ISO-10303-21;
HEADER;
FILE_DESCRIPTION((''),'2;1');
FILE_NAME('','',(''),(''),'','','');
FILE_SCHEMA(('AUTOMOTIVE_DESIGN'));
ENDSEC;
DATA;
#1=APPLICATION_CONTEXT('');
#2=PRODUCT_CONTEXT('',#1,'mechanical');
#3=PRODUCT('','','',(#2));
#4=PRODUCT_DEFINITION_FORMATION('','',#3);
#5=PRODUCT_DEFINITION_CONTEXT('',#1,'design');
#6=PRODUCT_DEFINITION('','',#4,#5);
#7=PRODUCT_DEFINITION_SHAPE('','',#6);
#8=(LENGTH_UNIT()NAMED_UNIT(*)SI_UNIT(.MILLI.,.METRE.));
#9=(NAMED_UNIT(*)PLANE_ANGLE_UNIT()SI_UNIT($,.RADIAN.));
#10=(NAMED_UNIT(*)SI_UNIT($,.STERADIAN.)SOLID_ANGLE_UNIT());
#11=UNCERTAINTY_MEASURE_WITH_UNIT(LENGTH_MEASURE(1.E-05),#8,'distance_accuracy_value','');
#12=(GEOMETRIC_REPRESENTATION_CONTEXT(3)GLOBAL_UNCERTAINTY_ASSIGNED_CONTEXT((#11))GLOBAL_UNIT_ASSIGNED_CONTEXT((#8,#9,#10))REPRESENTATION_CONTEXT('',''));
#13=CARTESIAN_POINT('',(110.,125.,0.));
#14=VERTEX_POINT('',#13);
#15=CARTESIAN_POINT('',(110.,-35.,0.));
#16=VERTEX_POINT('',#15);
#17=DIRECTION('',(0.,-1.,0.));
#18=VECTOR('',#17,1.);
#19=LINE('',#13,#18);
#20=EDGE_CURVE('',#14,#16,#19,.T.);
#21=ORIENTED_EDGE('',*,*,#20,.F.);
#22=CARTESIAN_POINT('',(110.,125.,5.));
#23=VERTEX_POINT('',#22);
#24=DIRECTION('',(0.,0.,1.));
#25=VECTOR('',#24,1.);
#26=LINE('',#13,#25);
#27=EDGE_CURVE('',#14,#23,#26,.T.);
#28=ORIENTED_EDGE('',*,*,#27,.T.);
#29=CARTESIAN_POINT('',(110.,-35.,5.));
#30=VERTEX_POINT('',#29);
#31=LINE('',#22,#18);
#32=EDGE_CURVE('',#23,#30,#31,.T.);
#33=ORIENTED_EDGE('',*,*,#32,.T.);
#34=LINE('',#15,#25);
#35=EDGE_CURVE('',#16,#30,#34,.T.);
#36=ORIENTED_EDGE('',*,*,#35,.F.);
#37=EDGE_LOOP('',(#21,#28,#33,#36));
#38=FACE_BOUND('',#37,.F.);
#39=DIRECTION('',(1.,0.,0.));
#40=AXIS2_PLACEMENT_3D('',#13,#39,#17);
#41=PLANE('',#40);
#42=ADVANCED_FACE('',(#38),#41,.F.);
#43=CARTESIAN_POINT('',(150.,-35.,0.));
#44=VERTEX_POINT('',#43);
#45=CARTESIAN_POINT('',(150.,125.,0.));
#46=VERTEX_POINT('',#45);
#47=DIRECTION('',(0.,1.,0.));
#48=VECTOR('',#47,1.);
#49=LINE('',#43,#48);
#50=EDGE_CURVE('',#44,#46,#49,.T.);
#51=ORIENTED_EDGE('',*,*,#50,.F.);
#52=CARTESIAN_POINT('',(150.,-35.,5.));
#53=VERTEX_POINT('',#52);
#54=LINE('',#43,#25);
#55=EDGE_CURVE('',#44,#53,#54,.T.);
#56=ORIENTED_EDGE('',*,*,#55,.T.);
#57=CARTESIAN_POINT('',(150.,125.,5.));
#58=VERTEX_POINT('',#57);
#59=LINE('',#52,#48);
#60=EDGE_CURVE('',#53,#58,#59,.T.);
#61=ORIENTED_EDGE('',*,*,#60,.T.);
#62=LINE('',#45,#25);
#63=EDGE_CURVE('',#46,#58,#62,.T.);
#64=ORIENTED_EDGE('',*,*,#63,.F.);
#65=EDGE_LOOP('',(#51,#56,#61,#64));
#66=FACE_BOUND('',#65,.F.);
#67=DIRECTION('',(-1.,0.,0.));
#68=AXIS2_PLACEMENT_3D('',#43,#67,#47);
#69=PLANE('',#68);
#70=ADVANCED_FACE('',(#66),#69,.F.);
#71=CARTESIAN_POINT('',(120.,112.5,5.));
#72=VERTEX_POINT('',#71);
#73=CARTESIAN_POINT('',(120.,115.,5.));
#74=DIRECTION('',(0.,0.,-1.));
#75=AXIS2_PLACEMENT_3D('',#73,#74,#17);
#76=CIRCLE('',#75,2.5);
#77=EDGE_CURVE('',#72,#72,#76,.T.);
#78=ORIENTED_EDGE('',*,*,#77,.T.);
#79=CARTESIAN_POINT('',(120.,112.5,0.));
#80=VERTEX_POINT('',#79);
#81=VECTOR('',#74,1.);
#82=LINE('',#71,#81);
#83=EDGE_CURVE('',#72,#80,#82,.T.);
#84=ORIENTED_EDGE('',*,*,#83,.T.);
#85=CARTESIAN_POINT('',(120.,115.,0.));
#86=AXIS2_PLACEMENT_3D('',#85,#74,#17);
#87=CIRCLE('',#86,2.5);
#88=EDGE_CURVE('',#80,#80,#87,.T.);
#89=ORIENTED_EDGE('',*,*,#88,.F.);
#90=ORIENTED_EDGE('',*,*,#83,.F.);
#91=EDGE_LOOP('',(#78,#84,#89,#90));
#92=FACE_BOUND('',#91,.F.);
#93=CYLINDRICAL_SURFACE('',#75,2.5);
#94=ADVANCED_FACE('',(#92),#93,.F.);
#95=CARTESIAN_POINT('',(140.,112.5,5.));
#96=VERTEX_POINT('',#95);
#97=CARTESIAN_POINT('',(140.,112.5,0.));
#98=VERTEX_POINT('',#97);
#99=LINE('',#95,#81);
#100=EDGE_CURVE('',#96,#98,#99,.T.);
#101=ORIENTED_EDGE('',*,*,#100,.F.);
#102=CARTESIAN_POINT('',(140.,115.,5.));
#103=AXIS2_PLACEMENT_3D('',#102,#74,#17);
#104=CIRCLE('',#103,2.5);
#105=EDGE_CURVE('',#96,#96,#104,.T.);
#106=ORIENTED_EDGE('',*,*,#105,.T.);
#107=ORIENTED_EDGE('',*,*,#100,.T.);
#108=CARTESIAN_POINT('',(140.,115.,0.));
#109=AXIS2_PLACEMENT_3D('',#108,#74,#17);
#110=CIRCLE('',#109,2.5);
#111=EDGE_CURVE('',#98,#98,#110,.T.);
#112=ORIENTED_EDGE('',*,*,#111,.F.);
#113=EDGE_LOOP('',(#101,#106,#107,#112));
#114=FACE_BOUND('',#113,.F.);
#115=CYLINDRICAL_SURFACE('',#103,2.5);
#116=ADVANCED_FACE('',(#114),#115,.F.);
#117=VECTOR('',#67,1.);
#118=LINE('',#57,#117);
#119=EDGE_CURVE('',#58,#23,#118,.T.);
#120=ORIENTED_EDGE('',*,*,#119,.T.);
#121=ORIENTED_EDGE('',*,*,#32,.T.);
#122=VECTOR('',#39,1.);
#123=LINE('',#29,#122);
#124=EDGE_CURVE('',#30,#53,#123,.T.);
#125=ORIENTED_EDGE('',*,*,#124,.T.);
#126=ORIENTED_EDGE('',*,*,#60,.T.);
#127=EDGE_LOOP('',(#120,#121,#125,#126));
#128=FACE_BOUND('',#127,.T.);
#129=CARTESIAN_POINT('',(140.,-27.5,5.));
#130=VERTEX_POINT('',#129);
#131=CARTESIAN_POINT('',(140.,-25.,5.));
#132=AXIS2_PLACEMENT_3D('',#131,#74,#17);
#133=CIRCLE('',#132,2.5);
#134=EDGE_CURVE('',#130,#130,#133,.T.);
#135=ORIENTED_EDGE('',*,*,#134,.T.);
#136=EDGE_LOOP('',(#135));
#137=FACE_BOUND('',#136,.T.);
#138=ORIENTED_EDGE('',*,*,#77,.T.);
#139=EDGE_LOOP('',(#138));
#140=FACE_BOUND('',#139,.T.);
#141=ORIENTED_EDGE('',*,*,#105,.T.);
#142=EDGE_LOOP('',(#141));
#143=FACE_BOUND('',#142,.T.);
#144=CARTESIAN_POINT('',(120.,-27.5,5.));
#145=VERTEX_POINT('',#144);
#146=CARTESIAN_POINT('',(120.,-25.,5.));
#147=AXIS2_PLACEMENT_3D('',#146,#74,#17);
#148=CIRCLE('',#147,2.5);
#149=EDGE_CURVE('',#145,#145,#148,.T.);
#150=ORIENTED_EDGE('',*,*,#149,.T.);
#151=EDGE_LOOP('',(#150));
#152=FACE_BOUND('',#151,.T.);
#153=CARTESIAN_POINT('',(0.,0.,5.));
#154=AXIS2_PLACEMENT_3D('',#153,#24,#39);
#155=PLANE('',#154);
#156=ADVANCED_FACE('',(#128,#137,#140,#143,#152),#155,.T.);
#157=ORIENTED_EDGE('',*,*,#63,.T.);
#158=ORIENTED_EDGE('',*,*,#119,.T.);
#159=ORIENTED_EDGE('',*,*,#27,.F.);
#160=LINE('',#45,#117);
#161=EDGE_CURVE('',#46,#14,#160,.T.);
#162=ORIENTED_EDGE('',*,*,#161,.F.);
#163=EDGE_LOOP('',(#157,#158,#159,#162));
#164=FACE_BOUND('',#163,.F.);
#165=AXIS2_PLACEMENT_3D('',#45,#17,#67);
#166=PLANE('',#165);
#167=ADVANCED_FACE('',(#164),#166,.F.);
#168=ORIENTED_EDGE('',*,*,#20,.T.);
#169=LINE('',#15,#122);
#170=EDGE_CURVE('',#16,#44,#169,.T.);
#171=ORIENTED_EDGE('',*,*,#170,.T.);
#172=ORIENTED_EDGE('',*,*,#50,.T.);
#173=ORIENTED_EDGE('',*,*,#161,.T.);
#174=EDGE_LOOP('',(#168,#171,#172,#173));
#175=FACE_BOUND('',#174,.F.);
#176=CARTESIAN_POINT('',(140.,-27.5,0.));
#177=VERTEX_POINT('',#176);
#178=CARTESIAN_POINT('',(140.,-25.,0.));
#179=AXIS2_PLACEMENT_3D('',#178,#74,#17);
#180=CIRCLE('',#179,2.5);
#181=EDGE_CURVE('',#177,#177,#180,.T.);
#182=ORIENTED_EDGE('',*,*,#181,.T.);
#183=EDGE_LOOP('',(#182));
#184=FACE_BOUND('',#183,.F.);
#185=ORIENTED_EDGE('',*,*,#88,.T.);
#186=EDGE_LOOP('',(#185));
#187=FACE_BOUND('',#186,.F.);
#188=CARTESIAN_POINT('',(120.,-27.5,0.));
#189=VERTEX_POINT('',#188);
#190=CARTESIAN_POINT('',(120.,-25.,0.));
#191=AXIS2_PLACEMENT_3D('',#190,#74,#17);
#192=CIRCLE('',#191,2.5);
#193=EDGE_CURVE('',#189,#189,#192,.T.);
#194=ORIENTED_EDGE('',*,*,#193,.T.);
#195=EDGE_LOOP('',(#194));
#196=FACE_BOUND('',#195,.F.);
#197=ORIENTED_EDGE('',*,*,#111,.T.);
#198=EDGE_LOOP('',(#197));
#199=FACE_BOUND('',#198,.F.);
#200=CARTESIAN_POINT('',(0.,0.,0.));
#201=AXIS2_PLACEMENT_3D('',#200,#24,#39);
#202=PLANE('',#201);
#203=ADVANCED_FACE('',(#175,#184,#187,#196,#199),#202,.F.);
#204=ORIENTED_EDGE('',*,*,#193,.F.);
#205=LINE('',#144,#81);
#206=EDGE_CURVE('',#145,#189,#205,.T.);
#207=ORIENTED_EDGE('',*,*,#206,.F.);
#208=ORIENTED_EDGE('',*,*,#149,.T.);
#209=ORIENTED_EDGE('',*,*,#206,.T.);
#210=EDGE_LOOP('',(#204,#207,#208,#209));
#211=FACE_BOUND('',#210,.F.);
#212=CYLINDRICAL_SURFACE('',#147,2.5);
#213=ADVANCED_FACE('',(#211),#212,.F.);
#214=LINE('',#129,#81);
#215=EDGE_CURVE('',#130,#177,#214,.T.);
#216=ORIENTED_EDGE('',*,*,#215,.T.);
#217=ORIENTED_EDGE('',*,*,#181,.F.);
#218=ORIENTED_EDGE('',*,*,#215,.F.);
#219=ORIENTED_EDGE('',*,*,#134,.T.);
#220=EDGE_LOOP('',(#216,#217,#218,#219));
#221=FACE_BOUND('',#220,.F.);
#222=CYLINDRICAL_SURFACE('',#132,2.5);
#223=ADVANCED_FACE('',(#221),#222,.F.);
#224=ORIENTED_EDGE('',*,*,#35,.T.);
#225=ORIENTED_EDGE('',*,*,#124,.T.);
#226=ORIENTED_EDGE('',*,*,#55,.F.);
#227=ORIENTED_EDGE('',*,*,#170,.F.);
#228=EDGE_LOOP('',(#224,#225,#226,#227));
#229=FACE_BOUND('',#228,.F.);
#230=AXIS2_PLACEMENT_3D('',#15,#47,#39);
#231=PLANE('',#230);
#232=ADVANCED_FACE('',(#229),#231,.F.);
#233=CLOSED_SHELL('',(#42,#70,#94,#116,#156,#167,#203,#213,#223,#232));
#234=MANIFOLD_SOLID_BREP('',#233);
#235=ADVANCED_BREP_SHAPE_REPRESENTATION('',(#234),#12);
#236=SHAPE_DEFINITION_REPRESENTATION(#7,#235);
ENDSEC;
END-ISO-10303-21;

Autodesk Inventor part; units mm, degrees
ref_plane "YZ Plane" through (0, 0, 0) normal (1, 0, 0) x (0, 1, 0)
ref_plane "XZ Plane" through (0, 0, 0) normal (0, 1, 0) x (-1, 0, 0)
ref_plane "XY Plane" through (0, 0, 0) normal (0, 0, 1) x (1, 0, 0)
sketch "Sketch1" plane through (0, 0, 0) normal (0, 0, 1) x (1, 0, 0)
  line L0 (150, 125) -> (110, 125)
  line L1 (110, 125) -> (110, -35)
  line L2 (110, -35) -> (150, -35)
  line L3 (150, -35) -> (150, 125)
  point P0 (0, 0)
  dimension "d0" = 40
  dimension "d3" = 160
extrude "Extrusion1" add sketch "Sketch1" along normal blind 5
ref_plane "Work Plane1" through (0, 0, 0) normal (0, 0, 1) x (1, 0, 0)
sketch "Sketch3" plane through (0, 0, 5) normal (0, 0, 1) x (1, 0, 0)
  line L0 (150, 125) -> (110, 125) construction
  line L1 (130, 125) -> (130, -35) construction
  line L2 (110, -35) -> (150, -35) construction
  line L3 (110, 125) -> (110, -35) construction
  line L4 (110, 45) -> (150, 45) construction
  line L5 (150, -35) -> (150, 125) construction
  point P0 (0, 0)
  point P1 (120, 115)
  point P2 (140, 115)
  point P3 (120, -25)
  point P4 (140, -25)
  dimension "d4" = 20
  dimension "d5" = 10
hole "Hole1" at (120, 115, 5) at (140, 115, 5) at (120, -25, 5) at (140, -25, 5) direction (0, 0, -1) diameter 5 end through all
properties part number "ReposadorPinzas" material "MDF Medium Density Fiberboard"
